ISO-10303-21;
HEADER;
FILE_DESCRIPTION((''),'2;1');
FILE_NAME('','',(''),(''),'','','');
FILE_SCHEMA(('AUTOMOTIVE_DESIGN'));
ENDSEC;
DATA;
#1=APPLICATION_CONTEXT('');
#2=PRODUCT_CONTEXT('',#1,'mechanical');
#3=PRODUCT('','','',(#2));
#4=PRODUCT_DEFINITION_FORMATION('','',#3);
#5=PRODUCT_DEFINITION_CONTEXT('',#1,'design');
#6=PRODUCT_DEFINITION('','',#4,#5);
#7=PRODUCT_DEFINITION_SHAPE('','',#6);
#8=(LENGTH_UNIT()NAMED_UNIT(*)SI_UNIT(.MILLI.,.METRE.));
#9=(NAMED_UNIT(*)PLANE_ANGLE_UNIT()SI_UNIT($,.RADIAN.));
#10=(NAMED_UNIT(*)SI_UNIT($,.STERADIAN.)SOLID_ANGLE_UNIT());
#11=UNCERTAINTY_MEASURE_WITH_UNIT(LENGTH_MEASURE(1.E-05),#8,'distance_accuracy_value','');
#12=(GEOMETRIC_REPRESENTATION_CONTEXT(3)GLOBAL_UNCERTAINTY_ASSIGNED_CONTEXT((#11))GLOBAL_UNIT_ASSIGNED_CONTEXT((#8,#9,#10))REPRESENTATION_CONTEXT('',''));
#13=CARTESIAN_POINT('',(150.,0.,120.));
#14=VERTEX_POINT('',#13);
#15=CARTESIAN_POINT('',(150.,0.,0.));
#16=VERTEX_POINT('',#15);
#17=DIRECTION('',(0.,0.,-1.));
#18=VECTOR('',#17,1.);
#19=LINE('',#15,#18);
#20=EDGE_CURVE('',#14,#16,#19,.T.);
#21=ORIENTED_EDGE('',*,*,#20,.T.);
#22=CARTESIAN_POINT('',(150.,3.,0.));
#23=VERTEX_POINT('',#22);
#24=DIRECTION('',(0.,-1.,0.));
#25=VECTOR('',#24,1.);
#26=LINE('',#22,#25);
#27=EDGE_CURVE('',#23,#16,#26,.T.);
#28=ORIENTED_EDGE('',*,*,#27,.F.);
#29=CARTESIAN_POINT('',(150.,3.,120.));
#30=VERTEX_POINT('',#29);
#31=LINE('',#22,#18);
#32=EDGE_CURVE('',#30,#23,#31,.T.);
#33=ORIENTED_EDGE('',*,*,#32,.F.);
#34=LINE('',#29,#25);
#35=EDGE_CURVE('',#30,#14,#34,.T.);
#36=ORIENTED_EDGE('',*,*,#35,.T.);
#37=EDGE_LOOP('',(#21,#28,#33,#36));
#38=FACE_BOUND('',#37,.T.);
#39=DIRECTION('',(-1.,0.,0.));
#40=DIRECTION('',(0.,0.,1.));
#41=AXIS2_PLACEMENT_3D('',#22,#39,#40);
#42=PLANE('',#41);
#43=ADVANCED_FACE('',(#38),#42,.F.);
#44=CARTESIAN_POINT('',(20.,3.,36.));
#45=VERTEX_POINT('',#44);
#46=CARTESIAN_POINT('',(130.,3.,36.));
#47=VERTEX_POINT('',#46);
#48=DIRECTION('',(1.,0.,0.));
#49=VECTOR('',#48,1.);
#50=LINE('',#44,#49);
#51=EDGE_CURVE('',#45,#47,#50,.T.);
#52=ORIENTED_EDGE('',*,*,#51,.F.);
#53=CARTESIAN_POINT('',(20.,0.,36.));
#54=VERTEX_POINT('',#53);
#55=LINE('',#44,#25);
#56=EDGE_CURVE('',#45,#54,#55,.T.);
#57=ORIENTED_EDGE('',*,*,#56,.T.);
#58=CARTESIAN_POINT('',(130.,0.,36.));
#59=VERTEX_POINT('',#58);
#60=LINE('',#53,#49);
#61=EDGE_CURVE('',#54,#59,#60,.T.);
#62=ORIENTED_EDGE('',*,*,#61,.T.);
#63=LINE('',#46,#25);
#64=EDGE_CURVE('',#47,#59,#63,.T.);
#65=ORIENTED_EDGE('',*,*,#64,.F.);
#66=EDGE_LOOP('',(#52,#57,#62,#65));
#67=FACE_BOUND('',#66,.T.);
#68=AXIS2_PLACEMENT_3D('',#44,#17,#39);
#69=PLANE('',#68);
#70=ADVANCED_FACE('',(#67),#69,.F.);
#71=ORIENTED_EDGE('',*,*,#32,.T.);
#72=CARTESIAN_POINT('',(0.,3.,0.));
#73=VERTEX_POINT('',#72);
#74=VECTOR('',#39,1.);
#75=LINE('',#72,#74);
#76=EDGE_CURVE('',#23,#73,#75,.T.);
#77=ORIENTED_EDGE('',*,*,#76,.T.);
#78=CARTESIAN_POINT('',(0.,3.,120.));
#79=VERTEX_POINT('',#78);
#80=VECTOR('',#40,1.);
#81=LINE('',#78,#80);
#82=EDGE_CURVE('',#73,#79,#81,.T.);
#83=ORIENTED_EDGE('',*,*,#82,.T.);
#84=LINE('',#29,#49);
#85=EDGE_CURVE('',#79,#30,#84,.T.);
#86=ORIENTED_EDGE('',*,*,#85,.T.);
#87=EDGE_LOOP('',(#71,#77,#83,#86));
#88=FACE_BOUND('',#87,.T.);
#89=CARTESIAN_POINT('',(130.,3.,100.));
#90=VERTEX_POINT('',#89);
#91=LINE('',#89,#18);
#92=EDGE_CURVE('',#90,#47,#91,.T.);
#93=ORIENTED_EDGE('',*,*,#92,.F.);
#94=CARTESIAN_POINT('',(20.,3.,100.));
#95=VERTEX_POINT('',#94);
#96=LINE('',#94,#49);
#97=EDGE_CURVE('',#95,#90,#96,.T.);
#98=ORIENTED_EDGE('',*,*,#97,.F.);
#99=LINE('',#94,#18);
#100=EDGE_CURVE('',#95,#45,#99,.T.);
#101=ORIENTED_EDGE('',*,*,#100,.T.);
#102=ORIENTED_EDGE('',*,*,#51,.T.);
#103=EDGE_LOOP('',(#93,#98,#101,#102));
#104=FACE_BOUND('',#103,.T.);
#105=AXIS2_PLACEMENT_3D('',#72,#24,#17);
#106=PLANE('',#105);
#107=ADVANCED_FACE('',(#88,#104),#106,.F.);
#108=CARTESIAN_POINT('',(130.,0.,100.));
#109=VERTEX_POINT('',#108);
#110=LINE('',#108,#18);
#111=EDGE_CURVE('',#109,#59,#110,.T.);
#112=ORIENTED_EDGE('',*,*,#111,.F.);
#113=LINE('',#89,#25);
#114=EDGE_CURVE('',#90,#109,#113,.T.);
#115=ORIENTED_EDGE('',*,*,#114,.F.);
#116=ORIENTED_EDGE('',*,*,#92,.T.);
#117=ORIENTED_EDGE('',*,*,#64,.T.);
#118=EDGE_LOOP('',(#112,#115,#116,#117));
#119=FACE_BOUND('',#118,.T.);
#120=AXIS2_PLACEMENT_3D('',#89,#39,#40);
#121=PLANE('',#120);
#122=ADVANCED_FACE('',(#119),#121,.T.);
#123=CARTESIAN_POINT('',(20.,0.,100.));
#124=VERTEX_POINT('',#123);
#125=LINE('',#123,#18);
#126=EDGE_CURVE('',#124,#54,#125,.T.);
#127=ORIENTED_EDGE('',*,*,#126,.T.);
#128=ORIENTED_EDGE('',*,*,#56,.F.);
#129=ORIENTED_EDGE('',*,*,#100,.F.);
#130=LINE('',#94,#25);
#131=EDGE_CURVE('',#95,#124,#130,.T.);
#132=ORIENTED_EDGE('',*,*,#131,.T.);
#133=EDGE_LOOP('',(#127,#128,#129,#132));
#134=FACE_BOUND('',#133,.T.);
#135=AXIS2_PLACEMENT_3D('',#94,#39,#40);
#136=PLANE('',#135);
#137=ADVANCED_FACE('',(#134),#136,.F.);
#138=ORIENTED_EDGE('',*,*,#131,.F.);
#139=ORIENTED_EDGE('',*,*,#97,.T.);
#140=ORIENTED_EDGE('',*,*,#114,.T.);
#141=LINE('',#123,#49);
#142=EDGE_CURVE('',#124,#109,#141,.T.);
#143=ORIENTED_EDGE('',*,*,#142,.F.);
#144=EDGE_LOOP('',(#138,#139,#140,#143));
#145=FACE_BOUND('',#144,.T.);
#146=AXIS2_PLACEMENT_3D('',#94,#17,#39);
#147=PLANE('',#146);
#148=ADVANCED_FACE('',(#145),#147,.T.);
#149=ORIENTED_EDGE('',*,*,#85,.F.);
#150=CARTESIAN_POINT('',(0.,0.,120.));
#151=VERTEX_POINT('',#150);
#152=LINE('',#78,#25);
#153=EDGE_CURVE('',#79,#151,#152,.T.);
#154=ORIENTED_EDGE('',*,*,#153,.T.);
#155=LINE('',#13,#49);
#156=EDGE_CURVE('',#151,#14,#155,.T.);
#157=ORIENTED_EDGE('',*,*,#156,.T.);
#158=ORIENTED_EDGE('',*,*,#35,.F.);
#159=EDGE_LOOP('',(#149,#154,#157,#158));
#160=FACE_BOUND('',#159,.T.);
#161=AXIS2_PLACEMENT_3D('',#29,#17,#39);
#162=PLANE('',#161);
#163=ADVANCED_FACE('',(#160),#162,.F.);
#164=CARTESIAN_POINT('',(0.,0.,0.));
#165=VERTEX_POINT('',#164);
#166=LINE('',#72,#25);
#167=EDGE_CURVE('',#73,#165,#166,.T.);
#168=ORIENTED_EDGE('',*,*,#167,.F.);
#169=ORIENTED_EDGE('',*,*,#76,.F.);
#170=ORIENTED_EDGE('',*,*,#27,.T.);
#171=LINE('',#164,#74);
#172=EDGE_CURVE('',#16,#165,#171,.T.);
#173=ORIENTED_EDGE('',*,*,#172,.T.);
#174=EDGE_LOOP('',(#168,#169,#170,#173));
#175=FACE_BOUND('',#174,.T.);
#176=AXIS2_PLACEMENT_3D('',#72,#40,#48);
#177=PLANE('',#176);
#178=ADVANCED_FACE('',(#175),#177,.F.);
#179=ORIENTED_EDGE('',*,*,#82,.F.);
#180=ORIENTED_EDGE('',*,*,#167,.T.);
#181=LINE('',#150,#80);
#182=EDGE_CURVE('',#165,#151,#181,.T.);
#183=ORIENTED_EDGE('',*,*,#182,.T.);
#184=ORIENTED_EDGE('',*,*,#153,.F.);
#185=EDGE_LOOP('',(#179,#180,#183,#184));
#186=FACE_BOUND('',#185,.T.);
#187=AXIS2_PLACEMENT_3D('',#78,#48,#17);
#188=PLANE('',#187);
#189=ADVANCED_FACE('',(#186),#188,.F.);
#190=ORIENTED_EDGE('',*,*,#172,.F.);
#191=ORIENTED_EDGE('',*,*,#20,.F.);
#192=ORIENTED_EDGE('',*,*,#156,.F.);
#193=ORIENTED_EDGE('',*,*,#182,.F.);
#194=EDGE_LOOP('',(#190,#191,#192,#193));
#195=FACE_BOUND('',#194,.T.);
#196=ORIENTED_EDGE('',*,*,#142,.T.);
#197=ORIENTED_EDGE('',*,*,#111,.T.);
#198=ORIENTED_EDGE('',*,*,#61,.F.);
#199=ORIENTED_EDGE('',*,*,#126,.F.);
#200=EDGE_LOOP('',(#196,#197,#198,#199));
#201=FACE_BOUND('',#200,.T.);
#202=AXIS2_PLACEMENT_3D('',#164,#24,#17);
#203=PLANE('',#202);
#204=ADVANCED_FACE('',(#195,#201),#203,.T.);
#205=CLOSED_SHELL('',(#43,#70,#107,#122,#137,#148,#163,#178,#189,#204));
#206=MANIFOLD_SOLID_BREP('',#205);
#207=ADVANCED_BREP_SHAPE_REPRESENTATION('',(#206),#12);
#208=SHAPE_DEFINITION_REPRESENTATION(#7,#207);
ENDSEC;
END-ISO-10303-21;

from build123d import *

# Parameters (mm, degrees)
SKETCH_1_W          = 150
SKETCH_1_H          = 120
EXTRUDE_1_DEPTH     = 3
SKETCH_2_W          = 110
SKETCH_2_H          = 64
CUT_EXTRUDE_1_DEPTH = 3


with BuildPart() as part:
    # 草图1 → 凸台-拉伸1 (new body)
    with BuildSketch(Plane(origin=(0, 0, 0), x_dir=(1, 0, 0), z_dir=(0, 1, 0))):
        with Locations((75, -60)):
            Rectangle(SKETCH_1_W, SKETCH_1_H)
    extrude(amount=EXTRUDE_1_DEPTH)

    # 草图2 → 切除-拉伸1 (cut)
    with BuildSketch(Plane.XZ):
        with Locations((75, 68)):
            Rectangle(SKETCH_2_W, SKETCH_2_H)
    extrude(amount=-CUT_EXTRUDE_1_DEPTH, mode=Mode.SUBTRACT)


solid = part.part
